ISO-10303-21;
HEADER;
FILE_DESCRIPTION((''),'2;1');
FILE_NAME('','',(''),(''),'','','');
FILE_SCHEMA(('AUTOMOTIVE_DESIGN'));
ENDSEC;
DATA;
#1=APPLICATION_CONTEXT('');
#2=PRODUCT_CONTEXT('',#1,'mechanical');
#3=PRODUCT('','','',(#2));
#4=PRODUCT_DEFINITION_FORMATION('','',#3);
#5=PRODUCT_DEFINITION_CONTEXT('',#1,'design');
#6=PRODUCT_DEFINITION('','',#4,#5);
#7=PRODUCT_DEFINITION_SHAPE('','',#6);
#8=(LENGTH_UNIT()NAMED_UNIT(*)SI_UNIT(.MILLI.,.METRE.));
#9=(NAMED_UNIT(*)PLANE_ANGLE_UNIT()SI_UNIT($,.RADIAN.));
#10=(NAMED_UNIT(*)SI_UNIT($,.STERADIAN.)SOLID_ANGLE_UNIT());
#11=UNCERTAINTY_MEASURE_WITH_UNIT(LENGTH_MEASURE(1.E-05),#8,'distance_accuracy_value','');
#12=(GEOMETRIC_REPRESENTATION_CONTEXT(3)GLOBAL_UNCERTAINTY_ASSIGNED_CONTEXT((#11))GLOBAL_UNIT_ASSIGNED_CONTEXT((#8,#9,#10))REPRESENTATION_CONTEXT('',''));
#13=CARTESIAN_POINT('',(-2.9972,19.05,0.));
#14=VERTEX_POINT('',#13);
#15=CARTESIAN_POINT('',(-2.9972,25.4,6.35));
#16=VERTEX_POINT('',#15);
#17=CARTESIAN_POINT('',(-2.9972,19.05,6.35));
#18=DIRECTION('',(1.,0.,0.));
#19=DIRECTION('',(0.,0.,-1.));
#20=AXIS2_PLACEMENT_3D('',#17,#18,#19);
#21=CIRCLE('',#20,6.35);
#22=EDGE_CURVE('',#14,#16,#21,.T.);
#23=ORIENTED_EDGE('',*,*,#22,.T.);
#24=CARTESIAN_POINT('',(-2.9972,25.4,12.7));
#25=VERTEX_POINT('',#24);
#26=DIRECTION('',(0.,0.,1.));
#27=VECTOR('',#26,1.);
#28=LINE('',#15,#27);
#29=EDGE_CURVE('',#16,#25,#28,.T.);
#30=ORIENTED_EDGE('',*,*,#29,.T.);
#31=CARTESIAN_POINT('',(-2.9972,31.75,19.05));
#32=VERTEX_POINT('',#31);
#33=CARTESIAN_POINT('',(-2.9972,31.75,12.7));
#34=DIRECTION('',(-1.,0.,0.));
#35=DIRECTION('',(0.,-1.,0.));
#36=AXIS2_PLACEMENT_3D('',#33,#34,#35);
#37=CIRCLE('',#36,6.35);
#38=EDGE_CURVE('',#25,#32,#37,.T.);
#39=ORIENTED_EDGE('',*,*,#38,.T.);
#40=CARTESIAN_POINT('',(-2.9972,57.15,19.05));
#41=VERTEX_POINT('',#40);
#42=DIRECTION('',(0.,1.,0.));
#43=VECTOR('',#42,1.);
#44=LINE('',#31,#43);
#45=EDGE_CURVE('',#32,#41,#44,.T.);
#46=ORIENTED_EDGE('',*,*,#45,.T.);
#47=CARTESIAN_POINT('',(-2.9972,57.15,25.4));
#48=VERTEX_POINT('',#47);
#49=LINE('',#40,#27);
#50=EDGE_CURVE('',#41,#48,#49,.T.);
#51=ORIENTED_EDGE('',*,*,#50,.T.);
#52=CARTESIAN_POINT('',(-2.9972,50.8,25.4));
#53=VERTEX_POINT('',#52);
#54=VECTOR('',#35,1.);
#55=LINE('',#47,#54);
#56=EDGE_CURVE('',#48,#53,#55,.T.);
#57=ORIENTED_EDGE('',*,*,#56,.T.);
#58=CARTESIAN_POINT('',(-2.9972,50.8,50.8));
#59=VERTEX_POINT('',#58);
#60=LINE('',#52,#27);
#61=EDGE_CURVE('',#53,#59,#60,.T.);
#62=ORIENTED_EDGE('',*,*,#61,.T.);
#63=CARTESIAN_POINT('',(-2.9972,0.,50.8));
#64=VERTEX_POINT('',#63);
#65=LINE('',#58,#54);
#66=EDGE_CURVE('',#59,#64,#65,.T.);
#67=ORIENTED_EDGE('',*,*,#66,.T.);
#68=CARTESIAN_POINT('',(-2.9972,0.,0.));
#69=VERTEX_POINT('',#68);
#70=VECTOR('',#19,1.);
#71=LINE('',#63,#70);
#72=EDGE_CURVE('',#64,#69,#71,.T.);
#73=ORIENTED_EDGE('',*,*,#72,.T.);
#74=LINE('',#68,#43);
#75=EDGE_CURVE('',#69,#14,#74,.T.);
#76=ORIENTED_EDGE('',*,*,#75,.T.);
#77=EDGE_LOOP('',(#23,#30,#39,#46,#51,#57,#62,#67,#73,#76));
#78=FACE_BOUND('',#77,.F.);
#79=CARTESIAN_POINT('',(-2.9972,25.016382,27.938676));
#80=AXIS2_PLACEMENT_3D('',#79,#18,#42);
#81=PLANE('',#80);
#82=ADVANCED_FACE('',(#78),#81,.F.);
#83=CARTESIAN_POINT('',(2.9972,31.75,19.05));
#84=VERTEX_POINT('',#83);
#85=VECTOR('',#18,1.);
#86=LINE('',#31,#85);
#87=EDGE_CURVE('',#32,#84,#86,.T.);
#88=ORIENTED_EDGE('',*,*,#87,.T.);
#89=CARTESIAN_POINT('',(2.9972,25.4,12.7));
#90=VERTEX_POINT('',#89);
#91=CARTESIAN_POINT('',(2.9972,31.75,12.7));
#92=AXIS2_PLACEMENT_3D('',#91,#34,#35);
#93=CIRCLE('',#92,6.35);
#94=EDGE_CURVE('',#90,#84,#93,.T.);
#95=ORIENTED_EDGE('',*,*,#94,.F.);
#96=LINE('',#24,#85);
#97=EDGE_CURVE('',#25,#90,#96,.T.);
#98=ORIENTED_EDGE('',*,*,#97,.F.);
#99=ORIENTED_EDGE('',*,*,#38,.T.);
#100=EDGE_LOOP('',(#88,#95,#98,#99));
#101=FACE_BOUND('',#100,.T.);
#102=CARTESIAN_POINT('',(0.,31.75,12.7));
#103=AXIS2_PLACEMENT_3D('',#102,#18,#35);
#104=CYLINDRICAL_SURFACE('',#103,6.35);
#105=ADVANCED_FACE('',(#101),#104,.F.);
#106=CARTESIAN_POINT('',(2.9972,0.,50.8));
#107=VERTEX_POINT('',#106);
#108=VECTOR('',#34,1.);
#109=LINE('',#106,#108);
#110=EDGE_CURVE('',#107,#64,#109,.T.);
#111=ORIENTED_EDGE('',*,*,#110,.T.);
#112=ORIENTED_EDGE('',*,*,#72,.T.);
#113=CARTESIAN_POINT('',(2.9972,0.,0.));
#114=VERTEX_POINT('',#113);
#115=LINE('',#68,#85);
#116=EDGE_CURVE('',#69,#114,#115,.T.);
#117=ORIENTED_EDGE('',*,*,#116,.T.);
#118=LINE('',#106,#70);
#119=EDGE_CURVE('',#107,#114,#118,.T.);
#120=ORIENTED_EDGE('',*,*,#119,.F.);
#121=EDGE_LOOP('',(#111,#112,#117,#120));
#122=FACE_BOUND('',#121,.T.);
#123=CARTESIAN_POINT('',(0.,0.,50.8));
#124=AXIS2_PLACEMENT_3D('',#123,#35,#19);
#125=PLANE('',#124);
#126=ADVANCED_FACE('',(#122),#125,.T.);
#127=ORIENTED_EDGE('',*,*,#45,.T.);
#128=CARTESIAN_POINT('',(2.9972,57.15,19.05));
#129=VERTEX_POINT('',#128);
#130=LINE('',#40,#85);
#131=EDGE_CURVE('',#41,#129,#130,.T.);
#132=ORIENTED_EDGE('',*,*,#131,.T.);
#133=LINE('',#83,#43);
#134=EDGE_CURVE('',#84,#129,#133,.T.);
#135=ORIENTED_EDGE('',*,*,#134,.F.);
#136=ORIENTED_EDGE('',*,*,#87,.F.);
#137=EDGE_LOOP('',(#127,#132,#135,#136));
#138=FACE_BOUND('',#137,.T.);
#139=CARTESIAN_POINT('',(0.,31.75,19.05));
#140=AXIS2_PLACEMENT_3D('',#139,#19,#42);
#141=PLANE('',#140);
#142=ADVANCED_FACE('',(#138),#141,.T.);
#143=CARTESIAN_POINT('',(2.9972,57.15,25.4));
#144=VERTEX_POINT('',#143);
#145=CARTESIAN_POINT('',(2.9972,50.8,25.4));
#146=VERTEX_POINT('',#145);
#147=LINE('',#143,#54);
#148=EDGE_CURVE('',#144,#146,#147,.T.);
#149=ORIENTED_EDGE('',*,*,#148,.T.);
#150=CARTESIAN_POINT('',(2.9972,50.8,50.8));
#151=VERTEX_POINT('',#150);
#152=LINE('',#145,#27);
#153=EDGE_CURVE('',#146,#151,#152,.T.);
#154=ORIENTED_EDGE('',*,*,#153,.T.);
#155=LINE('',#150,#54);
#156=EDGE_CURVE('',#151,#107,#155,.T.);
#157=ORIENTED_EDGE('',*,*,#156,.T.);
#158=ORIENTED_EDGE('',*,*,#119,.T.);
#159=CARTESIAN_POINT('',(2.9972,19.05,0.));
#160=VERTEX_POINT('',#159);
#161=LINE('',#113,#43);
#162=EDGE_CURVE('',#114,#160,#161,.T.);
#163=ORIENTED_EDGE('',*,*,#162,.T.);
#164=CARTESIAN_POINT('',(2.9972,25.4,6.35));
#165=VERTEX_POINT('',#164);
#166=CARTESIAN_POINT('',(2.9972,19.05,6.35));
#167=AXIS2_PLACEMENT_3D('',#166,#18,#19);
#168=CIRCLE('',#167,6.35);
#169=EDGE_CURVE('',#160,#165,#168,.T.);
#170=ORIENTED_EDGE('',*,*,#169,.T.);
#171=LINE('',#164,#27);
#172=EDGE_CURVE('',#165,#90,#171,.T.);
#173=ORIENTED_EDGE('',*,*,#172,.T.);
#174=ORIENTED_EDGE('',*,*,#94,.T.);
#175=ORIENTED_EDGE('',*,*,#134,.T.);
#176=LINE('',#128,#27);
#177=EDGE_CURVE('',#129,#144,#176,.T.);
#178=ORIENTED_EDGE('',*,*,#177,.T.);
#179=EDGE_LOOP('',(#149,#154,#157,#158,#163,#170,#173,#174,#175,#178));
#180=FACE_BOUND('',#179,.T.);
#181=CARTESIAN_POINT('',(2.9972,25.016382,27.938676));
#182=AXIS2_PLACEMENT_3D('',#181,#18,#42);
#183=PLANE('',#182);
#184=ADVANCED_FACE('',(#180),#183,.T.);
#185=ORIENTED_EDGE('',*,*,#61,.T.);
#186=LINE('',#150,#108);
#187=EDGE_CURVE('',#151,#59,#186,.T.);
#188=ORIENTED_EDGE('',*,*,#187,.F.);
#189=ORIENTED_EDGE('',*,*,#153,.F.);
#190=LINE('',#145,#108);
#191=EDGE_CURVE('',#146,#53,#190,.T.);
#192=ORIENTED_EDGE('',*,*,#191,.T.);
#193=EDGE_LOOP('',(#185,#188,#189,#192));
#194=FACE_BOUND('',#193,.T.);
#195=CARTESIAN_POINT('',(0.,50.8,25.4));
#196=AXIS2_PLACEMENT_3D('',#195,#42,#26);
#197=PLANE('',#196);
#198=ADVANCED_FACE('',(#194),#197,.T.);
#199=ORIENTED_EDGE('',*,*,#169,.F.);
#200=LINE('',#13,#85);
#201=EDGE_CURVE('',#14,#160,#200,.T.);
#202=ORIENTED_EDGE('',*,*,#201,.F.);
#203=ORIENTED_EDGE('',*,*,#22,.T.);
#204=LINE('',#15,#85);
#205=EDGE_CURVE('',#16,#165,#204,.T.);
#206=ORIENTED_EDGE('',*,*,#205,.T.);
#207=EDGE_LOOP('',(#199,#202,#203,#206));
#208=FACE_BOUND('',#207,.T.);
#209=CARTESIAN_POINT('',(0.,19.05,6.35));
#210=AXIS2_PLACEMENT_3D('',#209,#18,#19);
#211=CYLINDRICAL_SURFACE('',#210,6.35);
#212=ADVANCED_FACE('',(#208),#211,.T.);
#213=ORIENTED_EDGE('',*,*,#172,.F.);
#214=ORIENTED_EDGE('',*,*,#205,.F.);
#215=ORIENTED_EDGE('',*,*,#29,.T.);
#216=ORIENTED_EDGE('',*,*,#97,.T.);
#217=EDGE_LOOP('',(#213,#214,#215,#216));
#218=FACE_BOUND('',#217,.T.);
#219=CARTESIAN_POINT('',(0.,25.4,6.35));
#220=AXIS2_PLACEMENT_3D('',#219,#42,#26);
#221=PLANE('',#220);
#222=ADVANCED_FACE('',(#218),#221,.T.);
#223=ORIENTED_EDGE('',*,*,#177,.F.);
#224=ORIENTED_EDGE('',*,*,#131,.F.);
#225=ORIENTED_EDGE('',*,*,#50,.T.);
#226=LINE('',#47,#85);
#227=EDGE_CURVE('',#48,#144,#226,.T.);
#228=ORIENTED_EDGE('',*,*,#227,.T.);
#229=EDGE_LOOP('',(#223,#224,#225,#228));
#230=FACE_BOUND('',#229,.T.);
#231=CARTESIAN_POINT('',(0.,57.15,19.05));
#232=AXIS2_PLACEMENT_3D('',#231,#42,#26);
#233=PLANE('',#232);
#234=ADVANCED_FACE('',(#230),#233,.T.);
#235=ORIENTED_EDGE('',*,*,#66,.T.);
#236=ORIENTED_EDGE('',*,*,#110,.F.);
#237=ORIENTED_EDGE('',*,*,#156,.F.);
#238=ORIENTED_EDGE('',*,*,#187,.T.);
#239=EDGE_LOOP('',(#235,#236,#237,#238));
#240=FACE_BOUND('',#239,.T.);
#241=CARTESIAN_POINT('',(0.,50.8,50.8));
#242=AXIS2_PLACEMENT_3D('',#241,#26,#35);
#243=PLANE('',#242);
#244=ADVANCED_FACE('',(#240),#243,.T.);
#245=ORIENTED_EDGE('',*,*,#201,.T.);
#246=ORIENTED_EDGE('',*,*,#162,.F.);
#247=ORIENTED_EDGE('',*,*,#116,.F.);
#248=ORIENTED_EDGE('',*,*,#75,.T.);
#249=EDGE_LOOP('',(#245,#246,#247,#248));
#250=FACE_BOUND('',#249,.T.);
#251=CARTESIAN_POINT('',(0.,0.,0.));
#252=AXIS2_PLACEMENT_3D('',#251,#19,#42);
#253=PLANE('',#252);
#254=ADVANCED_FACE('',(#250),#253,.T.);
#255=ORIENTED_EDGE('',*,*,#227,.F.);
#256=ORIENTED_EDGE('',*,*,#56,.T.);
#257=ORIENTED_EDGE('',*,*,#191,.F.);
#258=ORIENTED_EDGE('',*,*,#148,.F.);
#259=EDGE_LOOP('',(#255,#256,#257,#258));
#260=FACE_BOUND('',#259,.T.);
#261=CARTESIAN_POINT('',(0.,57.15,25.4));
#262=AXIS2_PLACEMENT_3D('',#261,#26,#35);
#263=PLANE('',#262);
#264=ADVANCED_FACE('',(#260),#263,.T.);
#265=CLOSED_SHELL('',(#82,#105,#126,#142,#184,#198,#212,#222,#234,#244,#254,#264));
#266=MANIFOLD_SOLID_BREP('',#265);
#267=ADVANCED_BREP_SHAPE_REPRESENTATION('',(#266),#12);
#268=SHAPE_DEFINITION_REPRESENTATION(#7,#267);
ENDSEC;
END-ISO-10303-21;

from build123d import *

# Parameters (mm, degrees)
F1_DEPTH = 2.9972


with BuildPart() as f1:
    # F0 (on Right) → F1 (new body, symmetric)
    with BuildSketch(Plane.YZ):
        with BuildLine():
            Line((0, 50.8), (0, 0))
            Line((0, 0), (19.05, 0))
            ThreePointArc((19.05, 0), (23.5401280605, 1.8598719395), (25.4, 6.35))
            Line((25.4, 6.35), (25.4, 12.7))
            ThreePointArc((25.4, 12.7), (27.2598719395, 17.1901280605), (31.75, 19.05))
            Line((31.75, 19.05), (57.15, 19.05))
            Line((57.15, 19.05), (57.15, 25.4))
            Line((57.15, 25.4), (50.8, 25.4))
            Line((50.8, 25.4), (50.8, 50.8))
            Line((50.8, 50.8), (0, 50.8))
        make_face()
    extrude(amount=F1_DEPTH, both=True)


solid = f1.part
